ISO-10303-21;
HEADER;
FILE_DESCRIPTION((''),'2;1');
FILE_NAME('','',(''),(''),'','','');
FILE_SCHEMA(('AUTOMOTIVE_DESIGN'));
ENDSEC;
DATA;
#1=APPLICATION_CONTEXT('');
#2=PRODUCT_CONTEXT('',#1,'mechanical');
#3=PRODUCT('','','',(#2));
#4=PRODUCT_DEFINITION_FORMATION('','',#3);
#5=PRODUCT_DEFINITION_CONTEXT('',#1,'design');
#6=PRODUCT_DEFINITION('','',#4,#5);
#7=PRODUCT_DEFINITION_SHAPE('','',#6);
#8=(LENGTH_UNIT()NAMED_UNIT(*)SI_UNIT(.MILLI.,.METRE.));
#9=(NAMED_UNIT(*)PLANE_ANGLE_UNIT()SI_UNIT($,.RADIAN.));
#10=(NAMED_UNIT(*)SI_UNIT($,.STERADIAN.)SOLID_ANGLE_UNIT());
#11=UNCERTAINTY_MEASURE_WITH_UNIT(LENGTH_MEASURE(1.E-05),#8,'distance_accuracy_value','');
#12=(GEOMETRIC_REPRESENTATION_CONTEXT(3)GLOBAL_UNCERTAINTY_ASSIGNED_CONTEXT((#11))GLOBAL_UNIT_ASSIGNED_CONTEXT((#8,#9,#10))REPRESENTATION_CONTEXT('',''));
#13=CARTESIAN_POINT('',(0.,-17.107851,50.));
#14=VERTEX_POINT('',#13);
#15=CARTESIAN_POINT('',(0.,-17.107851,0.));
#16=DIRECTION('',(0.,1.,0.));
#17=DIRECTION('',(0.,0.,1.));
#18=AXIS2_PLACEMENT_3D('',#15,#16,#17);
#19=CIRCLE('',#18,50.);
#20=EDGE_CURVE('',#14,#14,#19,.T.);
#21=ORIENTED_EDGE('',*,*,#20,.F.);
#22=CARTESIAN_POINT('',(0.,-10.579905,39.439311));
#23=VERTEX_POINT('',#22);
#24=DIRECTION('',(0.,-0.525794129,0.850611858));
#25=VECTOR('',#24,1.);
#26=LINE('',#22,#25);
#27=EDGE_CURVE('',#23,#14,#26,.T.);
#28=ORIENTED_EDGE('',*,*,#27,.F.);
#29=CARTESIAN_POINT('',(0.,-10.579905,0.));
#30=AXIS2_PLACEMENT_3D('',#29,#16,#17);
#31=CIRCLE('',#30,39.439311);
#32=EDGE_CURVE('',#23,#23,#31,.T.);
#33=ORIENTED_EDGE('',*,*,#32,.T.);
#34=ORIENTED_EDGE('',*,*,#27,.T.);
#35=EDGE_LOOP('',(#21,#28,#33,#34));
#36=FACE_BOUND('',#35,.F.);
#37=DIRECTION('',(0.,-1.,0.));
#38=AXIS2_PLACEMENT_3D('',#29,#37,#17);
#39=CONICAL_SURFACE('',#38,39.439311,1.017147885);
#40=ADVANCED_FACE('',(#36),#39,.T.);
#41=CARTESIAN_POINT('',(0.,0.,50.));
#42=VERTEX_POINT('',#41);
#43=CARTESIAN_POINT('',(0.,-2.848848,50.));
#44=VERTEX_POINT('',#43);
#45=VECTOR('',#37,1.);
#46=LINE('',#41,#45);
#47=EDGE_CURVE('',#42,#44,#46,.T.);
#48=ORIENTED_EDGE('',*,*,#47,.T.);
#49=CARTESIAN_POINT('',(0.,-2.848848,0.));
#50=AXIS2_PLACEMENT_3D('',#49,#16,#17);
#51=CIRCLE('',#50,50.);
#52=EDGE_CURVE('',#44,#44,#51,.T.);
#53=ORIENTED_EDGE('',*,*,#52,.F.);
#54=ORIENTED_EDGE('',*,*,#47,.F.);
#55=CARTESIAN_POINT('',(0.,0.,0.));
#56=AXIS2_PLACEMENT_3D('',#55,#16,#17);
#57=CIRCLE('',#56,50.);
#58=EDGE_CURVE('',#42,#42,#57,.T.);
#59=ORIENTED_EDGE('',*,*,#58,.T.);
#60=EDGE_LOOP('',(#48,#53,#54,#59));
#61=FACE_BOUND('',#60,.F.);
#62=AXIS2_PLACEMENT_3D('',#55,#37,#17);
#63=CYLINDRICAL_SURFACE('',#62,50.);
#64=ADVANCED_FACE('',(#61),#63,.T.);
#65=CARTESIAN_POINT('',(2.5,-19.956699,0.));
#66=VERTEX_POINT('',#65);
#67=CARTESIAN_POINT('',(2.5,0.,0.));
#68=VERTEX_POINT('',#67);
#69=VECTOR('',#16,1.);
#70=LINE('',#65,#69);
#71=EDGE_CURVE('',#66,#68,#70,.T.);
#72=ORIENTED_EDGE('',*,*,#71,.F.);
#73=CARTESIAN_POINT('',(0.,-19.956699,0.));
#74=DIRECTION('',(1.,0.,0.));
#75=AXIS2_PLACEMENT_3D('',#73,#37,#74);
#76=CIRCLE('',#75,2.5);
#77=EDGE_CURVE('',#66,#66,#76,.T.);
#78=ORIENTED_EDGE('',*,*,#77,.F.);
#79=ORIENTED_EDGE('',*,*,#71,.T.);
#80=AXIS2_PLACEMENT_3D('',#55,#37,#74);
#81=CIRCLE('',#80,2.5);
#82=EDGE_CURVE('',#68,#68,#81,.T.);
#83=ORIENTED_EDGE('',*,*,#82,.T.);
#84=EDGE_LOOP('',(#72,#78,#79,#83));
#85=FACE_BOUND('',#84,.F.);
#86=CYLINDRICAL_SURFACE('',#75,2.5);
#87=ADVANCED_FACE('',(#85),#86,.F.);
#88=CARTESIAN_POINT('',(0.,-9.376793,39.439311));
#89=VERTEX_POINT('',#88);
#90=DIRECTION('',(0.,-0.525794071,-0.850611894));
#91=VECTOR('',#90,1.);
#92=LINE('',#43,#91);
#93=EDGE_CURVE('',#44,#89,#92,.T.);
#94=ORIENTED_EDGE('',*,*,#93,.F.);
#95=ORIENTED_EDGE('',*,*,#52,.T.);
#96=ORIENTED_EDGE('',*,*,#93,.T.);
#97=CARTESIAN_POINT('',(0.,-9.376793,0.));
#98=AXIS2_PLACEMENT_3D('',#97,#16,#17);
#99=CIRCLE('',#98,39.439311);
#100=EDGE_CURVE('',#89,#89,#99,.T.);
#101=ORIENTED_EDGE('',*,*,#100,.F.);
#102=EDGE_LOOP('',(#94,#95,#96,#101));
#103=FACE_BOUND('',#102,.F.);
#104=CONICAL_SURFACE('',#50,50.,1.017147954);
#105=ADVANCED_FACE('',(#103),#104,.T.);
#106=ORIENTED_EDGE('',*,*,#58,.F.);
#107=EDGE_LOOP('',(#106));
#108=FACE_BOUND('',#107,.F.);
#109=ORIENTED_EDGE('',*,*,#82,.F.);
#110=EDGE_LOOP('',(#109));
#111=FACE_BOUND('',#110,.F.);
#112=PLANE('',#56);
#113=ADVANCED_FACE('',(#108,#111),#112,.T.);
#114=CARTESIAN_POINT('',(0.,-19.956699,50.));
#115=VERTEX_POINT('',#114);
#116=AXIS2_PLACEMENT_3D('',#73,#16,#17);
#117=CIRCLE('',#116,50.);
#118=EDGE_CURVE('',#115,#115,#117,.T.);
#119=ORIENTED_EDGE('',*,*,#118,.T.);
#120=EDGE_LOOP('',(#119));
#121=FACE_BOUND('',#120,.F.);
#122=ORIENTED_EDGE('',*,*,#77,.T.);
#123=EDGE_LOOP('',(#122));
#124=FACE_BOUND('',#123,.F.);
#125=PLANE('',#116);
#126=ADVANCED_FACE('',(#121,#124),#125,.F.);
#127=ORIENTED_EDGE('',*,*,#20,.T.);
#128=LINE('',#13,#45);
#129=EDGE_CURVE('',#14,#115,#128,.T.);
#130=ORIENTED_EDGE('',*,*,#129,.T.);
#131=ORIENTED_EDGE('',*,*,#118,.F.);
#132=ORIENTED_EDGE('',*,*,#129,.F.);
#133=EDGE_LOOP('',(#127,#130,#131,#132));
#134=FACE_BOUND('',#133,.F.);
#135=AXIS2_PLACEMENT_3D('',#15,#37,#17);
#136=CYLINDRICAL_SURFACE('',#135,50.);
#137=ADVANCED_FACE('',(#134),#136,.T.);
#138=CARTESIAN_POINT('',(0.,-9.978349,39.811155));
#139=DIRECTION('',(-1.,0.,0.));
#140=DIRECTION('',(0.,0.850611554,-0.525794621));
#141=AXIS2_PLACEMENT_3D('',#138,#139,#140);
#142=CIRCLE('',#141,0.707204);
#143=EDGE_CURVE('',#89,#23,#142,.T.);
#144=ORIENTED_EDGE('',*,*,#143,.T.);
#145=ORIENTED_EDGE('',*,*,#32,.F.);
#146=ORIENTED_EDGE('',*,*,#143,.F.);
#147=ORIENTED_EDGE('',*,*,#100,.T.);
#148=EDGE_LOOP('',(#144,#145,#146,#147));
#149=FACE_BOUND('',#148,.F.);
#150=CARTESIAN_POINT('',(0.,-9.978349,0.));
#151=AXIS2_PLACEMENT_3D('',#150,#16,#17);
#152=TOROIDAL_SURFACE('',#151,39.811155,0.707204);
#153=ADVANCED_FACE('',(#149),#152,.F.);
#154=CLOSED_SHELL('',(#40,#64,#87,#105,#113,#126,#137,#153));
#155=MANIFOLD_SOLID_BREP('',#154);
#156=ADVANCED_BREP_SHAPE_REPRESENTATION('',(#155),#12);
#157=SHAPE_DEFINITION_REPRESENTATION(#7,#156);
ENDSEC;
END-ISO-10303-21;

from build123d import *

# Parameters (mm, degrees)
F2_R     = 2.5
F3_DEPTH = 19.957699


with BuildPart() as f1:
    # F0 (on Right) → F1 (revolve)
    with BuildSketch(Plane.YZ):
        with BuildLine():
            Line((-19.956699, 0), (0, 0))
            Line((0, 0), (0, 50))
            Line((0, 50), (-2.848848, 50))
            Line((-2.848848, 50), (-9.376793, 39.439311))
            ThreePointArc((-9.376793, 39.439311), (-9.978349, 39.103951), (-10.579905, 39.439311))
            Line((-10.579905, 39.439311), (-17.107851, 50))
            Line((-17.107851, 50), (-19.956699, 50))
            Line((-19.956699, 50), (-19.956699, 0))
        make_face()
    revolve(axis=Axis((0, -9.956699, 0), (0, 1, 0)))

    # F2 (on face) → F3 (cut, through all)
    with BuildSketch(Plane.XZ.offset(19.956699)):
        Circle(F2_R)
    extrude(amount=-F3_DEPTH, mode=Mode.SUBTRACT)


solid = f1.part
